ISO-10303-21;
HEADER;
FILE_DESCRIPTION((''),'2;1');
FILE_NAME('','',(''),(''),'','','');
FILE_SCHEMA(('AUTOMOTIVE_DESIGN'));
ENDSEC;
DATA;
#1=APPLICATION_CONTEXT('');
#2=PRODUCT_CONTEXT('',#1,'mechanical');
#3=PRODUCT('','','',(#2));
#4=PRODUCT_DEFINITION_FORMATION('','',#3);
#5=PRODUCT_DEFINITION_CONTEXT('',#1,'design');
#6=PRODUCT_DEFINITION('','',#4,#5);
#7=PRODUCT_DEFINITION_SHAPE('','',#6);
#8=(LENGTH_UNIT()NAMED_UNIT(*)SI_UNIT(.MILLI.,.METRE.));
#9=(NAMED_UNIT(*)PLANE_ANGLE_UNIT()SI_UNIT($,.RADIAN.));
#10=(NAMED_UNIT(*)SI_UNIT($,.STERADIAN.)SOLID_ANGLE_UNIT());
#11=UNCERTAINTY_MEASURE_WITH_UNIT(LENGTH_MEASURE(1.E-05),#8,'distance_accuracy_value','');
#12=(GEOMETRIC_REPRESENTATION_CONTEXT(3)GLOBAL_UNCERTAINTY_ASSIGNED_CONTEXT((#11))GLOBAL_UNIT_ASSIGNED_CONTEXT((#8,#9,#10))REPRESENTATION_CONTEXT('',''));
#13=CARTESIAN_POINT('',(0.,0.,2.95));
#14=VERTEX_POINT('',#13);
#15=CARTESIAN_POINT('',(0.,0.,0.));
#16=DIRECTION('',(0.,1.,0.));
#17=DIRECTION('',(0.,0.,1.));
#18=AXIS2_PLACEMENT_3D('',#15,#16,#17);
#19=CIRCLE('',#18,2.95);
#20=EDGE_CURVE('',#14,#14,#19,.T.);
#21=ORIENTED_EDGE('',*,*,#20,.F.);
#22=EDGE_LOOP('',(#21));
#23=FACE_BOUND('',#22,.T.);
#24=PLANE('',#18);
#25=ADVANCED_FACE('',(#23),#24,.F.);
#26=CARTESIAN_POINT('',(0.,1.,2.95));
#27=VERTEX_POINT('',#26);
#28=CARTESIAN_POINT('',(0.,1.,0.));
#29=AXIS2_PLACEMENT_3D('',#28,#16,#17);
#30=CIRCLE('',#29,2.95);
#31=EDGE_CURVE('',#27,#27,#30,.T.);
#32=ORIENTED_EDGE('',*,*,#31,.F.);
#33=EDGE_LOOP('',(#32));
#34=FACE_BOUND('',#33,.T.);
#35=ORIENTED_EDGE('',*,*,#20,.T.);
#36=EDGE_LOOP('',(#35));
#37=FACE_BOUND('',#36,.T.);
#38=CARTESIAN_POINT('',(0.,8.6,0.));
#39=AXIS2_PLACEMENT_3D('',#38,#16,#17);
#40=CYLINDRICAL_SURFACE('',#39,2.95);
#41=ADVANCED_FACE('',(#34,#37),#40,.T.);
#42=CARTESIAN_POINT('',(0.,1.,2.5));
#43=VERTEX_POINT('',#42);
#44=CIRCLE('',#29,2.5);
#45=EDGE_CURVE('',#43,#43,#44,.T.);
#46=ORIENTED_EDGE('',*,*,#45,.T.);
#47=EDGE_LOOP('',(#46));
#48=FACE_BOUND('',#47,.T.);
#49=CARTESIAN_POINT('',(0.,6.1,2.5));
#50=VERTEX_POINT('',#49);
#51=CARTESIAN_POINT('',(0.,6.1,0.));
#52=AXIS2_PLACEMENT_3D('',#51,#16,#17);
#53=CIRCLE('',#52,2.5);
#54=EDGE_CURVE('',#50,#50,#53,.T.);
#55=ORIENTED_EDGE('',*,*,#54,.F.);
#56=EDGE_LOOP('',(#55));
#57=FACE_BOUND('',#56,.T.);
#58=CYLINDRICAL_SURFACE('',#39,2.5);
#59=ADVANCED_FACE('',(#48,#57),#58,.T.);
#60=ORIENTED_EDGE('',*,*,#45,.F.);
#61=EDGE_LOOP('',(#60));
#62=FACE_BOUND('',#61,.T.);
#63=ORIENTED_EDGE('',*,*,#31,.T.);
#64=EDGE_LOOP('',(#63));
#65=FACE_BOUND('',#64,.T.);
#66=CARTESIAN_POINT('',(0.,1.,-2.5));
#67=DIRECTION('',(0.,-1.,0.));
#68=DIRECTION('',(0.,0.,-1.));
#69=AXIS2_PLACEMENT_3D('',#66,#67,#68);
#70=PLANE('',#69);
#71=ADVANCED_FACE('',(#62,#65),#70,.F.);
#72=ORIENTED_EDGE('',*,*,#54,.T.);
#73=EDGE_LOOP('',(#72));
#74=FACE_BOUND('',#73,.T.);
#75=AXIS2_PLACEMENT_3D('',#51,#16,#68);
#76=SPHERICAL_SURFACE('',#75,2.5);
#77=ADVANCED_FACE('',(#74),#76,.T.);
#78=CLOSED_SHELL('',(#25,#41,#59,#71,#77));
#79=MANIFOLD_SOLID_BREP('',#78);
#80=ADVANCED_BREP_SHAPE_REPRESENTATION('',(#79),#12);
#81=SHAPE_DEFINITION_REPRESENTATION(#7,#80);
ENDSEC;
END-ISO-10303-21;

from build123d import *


with BuildPart() as part:
    # Sketch1 → Revolve2 (revolve)
    with BuildSketch(Plane(origin=(0, 0, 0), x_dir=(0, 0, -1), z_dir=(1, 0, 0)), mode=Mode.PRIVATE) as revolve2_sk:
        with BuildLine():
            Line((2.5, 1), (2.95, 1))
            Line((2.95, 1), (2.95, 0))
            Line((2.95, 0), (0, 0))
            Line((0, 0), (0, 8.6))
            ThreePointArc((0, 8.6), (1.767766953, 7.867766953), (2.5, 6.1))
            Line((2.5, 6.1), (2.5, 1))
        make_face()
    revolve(revolve2_sk.sketch.rotate(Axis((0, 8.6, 0), (0, -1, 0)), 180), axis=Axis((0, 8.6, 0), (0, -1, 0)))


solid = part.part
